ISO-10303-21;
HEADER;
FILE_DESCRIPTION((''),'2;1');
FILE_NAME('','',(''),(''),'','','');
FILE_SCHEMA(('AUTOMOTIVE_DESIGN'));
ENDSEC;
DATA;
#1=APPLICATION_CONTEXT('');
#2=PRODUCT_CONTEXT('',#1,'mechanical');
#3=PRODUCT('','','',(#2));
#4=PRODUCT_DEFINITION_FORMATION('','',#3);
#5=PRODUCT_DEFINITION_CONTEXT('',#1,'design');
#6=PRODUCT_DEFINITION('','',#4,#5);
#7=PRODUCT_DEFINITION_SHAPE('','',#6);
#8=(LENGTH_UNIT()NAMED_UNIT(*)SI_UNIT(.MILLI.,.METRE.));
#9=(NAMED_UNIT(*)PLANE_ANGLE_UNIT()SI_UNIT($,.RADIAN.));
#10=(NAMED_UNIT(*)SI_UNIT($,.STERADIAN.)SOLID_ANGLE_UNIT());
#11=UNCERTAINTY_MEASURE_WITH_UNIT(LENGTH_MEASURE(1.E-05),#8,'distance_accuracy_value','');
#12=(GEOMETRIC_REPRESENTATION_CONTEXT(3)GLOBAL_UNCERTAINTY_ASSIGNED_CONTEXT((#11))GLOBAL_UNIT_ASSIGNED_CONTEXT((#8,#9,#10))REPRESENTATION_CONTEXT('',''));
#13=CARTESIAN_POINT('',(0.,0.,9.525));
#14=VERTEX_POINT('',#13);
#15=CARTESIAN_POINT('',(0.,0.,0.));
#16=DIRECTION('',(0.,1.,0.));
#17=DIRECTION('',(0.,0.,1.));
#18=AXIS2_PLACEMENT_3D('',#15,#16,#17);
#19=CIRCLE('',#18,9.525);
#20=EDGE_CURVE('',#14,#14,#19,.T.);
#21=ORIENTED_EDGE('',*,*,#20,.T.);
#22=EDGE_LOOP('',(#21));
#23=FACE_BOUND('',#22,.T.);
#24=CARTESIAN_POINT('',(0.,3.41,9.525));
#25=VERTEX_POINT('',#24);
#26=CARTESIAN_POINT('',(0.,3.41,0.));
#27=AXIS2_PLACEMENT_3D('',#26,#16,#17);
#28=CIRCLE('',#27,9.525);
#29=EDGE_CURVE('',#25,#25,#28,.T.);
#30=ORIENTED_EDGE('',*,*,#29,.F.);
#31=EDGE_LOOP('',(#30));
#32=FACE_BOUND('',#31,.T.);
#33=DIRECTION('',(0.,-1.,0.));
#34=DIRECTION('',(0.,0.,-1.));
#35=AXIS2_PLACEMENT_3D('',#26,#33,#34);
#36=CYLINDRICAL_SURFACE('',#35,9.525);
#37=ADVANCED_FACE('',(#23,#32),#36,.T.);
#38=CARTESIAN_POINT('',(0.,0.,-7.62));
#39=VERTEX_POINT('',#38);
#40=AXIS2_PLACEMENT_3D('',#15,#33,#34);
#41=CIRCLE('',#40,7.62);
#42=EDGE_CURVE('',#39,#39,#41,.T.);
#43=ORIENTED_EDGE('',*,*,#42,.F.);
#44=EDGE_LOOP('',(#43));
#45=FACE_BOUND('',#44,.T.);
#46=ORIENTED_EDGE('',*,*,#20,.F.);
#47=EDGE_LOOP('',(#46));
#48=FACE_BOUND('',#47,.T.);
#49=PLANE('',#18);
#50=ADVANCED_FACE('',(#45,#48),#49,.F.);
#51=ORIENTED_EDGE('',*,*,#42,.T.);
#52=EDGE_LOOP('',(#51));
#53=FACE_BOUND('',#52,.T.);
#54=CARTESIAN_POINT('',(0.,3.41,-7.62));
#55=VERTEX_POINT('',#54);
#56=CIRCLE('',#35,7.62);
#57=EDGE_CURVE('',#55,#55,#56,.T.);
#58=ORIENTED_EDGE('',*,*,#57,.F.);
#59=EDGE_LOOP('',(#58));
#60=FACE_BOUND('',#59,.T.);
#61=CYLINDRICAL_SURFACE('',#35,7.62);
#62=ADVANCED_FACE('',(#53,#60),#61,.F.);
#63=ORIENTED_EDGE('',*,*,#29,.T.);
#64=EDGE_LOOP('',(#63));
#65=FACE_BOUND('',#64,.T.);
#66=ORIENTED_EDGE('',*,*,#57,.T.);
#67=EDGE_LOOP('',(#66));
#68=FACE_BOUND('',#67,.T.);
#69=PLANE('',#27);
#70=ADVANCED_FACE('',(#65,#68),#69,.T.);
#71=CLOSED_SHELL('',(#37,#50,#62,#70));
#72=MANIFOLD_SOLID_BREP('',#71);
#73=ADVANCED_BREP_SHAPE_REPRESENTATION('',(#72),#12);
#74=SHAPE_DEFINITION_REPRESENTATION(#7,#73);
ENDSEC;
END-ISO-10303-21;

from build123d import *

# Parameters (mm, degrees)
SKETCH2_R           = 9.525
BOSS_EXTRUDE1_DEPTH = 3.41
SKETCH3_R           = 7.62
CUT_EXTRUDE1_DEPTH  = 14.895299565


with BuildPart() as part:
    # Sketch2 → Boss-Extrude1 (new body)
    with BuildSketch(Plane(origin=(0, 0, 0), x_dir=(1, 0, 0), z_dir=(0, 1, 0))):
        with Locations(Location((0, 0, 0), (0, 0, 270))):
            Circle(SKETCH2_R)
    extrude(amount=BOSS_EXTRUDE1_DEPTH)

    # Sketch3 → Cut-Extrude1 (cut, through all)
    with BuildSketch(Plane.XZ):
        with Locations(Location((0, 0, 0), (0, 0, 270))):
            Circle(SKETCH3_R)
    extrude(amount=-CUT_EXTRUDE1_DEPTH, mode=Mode.SUBTRACT)


solid = part.part
